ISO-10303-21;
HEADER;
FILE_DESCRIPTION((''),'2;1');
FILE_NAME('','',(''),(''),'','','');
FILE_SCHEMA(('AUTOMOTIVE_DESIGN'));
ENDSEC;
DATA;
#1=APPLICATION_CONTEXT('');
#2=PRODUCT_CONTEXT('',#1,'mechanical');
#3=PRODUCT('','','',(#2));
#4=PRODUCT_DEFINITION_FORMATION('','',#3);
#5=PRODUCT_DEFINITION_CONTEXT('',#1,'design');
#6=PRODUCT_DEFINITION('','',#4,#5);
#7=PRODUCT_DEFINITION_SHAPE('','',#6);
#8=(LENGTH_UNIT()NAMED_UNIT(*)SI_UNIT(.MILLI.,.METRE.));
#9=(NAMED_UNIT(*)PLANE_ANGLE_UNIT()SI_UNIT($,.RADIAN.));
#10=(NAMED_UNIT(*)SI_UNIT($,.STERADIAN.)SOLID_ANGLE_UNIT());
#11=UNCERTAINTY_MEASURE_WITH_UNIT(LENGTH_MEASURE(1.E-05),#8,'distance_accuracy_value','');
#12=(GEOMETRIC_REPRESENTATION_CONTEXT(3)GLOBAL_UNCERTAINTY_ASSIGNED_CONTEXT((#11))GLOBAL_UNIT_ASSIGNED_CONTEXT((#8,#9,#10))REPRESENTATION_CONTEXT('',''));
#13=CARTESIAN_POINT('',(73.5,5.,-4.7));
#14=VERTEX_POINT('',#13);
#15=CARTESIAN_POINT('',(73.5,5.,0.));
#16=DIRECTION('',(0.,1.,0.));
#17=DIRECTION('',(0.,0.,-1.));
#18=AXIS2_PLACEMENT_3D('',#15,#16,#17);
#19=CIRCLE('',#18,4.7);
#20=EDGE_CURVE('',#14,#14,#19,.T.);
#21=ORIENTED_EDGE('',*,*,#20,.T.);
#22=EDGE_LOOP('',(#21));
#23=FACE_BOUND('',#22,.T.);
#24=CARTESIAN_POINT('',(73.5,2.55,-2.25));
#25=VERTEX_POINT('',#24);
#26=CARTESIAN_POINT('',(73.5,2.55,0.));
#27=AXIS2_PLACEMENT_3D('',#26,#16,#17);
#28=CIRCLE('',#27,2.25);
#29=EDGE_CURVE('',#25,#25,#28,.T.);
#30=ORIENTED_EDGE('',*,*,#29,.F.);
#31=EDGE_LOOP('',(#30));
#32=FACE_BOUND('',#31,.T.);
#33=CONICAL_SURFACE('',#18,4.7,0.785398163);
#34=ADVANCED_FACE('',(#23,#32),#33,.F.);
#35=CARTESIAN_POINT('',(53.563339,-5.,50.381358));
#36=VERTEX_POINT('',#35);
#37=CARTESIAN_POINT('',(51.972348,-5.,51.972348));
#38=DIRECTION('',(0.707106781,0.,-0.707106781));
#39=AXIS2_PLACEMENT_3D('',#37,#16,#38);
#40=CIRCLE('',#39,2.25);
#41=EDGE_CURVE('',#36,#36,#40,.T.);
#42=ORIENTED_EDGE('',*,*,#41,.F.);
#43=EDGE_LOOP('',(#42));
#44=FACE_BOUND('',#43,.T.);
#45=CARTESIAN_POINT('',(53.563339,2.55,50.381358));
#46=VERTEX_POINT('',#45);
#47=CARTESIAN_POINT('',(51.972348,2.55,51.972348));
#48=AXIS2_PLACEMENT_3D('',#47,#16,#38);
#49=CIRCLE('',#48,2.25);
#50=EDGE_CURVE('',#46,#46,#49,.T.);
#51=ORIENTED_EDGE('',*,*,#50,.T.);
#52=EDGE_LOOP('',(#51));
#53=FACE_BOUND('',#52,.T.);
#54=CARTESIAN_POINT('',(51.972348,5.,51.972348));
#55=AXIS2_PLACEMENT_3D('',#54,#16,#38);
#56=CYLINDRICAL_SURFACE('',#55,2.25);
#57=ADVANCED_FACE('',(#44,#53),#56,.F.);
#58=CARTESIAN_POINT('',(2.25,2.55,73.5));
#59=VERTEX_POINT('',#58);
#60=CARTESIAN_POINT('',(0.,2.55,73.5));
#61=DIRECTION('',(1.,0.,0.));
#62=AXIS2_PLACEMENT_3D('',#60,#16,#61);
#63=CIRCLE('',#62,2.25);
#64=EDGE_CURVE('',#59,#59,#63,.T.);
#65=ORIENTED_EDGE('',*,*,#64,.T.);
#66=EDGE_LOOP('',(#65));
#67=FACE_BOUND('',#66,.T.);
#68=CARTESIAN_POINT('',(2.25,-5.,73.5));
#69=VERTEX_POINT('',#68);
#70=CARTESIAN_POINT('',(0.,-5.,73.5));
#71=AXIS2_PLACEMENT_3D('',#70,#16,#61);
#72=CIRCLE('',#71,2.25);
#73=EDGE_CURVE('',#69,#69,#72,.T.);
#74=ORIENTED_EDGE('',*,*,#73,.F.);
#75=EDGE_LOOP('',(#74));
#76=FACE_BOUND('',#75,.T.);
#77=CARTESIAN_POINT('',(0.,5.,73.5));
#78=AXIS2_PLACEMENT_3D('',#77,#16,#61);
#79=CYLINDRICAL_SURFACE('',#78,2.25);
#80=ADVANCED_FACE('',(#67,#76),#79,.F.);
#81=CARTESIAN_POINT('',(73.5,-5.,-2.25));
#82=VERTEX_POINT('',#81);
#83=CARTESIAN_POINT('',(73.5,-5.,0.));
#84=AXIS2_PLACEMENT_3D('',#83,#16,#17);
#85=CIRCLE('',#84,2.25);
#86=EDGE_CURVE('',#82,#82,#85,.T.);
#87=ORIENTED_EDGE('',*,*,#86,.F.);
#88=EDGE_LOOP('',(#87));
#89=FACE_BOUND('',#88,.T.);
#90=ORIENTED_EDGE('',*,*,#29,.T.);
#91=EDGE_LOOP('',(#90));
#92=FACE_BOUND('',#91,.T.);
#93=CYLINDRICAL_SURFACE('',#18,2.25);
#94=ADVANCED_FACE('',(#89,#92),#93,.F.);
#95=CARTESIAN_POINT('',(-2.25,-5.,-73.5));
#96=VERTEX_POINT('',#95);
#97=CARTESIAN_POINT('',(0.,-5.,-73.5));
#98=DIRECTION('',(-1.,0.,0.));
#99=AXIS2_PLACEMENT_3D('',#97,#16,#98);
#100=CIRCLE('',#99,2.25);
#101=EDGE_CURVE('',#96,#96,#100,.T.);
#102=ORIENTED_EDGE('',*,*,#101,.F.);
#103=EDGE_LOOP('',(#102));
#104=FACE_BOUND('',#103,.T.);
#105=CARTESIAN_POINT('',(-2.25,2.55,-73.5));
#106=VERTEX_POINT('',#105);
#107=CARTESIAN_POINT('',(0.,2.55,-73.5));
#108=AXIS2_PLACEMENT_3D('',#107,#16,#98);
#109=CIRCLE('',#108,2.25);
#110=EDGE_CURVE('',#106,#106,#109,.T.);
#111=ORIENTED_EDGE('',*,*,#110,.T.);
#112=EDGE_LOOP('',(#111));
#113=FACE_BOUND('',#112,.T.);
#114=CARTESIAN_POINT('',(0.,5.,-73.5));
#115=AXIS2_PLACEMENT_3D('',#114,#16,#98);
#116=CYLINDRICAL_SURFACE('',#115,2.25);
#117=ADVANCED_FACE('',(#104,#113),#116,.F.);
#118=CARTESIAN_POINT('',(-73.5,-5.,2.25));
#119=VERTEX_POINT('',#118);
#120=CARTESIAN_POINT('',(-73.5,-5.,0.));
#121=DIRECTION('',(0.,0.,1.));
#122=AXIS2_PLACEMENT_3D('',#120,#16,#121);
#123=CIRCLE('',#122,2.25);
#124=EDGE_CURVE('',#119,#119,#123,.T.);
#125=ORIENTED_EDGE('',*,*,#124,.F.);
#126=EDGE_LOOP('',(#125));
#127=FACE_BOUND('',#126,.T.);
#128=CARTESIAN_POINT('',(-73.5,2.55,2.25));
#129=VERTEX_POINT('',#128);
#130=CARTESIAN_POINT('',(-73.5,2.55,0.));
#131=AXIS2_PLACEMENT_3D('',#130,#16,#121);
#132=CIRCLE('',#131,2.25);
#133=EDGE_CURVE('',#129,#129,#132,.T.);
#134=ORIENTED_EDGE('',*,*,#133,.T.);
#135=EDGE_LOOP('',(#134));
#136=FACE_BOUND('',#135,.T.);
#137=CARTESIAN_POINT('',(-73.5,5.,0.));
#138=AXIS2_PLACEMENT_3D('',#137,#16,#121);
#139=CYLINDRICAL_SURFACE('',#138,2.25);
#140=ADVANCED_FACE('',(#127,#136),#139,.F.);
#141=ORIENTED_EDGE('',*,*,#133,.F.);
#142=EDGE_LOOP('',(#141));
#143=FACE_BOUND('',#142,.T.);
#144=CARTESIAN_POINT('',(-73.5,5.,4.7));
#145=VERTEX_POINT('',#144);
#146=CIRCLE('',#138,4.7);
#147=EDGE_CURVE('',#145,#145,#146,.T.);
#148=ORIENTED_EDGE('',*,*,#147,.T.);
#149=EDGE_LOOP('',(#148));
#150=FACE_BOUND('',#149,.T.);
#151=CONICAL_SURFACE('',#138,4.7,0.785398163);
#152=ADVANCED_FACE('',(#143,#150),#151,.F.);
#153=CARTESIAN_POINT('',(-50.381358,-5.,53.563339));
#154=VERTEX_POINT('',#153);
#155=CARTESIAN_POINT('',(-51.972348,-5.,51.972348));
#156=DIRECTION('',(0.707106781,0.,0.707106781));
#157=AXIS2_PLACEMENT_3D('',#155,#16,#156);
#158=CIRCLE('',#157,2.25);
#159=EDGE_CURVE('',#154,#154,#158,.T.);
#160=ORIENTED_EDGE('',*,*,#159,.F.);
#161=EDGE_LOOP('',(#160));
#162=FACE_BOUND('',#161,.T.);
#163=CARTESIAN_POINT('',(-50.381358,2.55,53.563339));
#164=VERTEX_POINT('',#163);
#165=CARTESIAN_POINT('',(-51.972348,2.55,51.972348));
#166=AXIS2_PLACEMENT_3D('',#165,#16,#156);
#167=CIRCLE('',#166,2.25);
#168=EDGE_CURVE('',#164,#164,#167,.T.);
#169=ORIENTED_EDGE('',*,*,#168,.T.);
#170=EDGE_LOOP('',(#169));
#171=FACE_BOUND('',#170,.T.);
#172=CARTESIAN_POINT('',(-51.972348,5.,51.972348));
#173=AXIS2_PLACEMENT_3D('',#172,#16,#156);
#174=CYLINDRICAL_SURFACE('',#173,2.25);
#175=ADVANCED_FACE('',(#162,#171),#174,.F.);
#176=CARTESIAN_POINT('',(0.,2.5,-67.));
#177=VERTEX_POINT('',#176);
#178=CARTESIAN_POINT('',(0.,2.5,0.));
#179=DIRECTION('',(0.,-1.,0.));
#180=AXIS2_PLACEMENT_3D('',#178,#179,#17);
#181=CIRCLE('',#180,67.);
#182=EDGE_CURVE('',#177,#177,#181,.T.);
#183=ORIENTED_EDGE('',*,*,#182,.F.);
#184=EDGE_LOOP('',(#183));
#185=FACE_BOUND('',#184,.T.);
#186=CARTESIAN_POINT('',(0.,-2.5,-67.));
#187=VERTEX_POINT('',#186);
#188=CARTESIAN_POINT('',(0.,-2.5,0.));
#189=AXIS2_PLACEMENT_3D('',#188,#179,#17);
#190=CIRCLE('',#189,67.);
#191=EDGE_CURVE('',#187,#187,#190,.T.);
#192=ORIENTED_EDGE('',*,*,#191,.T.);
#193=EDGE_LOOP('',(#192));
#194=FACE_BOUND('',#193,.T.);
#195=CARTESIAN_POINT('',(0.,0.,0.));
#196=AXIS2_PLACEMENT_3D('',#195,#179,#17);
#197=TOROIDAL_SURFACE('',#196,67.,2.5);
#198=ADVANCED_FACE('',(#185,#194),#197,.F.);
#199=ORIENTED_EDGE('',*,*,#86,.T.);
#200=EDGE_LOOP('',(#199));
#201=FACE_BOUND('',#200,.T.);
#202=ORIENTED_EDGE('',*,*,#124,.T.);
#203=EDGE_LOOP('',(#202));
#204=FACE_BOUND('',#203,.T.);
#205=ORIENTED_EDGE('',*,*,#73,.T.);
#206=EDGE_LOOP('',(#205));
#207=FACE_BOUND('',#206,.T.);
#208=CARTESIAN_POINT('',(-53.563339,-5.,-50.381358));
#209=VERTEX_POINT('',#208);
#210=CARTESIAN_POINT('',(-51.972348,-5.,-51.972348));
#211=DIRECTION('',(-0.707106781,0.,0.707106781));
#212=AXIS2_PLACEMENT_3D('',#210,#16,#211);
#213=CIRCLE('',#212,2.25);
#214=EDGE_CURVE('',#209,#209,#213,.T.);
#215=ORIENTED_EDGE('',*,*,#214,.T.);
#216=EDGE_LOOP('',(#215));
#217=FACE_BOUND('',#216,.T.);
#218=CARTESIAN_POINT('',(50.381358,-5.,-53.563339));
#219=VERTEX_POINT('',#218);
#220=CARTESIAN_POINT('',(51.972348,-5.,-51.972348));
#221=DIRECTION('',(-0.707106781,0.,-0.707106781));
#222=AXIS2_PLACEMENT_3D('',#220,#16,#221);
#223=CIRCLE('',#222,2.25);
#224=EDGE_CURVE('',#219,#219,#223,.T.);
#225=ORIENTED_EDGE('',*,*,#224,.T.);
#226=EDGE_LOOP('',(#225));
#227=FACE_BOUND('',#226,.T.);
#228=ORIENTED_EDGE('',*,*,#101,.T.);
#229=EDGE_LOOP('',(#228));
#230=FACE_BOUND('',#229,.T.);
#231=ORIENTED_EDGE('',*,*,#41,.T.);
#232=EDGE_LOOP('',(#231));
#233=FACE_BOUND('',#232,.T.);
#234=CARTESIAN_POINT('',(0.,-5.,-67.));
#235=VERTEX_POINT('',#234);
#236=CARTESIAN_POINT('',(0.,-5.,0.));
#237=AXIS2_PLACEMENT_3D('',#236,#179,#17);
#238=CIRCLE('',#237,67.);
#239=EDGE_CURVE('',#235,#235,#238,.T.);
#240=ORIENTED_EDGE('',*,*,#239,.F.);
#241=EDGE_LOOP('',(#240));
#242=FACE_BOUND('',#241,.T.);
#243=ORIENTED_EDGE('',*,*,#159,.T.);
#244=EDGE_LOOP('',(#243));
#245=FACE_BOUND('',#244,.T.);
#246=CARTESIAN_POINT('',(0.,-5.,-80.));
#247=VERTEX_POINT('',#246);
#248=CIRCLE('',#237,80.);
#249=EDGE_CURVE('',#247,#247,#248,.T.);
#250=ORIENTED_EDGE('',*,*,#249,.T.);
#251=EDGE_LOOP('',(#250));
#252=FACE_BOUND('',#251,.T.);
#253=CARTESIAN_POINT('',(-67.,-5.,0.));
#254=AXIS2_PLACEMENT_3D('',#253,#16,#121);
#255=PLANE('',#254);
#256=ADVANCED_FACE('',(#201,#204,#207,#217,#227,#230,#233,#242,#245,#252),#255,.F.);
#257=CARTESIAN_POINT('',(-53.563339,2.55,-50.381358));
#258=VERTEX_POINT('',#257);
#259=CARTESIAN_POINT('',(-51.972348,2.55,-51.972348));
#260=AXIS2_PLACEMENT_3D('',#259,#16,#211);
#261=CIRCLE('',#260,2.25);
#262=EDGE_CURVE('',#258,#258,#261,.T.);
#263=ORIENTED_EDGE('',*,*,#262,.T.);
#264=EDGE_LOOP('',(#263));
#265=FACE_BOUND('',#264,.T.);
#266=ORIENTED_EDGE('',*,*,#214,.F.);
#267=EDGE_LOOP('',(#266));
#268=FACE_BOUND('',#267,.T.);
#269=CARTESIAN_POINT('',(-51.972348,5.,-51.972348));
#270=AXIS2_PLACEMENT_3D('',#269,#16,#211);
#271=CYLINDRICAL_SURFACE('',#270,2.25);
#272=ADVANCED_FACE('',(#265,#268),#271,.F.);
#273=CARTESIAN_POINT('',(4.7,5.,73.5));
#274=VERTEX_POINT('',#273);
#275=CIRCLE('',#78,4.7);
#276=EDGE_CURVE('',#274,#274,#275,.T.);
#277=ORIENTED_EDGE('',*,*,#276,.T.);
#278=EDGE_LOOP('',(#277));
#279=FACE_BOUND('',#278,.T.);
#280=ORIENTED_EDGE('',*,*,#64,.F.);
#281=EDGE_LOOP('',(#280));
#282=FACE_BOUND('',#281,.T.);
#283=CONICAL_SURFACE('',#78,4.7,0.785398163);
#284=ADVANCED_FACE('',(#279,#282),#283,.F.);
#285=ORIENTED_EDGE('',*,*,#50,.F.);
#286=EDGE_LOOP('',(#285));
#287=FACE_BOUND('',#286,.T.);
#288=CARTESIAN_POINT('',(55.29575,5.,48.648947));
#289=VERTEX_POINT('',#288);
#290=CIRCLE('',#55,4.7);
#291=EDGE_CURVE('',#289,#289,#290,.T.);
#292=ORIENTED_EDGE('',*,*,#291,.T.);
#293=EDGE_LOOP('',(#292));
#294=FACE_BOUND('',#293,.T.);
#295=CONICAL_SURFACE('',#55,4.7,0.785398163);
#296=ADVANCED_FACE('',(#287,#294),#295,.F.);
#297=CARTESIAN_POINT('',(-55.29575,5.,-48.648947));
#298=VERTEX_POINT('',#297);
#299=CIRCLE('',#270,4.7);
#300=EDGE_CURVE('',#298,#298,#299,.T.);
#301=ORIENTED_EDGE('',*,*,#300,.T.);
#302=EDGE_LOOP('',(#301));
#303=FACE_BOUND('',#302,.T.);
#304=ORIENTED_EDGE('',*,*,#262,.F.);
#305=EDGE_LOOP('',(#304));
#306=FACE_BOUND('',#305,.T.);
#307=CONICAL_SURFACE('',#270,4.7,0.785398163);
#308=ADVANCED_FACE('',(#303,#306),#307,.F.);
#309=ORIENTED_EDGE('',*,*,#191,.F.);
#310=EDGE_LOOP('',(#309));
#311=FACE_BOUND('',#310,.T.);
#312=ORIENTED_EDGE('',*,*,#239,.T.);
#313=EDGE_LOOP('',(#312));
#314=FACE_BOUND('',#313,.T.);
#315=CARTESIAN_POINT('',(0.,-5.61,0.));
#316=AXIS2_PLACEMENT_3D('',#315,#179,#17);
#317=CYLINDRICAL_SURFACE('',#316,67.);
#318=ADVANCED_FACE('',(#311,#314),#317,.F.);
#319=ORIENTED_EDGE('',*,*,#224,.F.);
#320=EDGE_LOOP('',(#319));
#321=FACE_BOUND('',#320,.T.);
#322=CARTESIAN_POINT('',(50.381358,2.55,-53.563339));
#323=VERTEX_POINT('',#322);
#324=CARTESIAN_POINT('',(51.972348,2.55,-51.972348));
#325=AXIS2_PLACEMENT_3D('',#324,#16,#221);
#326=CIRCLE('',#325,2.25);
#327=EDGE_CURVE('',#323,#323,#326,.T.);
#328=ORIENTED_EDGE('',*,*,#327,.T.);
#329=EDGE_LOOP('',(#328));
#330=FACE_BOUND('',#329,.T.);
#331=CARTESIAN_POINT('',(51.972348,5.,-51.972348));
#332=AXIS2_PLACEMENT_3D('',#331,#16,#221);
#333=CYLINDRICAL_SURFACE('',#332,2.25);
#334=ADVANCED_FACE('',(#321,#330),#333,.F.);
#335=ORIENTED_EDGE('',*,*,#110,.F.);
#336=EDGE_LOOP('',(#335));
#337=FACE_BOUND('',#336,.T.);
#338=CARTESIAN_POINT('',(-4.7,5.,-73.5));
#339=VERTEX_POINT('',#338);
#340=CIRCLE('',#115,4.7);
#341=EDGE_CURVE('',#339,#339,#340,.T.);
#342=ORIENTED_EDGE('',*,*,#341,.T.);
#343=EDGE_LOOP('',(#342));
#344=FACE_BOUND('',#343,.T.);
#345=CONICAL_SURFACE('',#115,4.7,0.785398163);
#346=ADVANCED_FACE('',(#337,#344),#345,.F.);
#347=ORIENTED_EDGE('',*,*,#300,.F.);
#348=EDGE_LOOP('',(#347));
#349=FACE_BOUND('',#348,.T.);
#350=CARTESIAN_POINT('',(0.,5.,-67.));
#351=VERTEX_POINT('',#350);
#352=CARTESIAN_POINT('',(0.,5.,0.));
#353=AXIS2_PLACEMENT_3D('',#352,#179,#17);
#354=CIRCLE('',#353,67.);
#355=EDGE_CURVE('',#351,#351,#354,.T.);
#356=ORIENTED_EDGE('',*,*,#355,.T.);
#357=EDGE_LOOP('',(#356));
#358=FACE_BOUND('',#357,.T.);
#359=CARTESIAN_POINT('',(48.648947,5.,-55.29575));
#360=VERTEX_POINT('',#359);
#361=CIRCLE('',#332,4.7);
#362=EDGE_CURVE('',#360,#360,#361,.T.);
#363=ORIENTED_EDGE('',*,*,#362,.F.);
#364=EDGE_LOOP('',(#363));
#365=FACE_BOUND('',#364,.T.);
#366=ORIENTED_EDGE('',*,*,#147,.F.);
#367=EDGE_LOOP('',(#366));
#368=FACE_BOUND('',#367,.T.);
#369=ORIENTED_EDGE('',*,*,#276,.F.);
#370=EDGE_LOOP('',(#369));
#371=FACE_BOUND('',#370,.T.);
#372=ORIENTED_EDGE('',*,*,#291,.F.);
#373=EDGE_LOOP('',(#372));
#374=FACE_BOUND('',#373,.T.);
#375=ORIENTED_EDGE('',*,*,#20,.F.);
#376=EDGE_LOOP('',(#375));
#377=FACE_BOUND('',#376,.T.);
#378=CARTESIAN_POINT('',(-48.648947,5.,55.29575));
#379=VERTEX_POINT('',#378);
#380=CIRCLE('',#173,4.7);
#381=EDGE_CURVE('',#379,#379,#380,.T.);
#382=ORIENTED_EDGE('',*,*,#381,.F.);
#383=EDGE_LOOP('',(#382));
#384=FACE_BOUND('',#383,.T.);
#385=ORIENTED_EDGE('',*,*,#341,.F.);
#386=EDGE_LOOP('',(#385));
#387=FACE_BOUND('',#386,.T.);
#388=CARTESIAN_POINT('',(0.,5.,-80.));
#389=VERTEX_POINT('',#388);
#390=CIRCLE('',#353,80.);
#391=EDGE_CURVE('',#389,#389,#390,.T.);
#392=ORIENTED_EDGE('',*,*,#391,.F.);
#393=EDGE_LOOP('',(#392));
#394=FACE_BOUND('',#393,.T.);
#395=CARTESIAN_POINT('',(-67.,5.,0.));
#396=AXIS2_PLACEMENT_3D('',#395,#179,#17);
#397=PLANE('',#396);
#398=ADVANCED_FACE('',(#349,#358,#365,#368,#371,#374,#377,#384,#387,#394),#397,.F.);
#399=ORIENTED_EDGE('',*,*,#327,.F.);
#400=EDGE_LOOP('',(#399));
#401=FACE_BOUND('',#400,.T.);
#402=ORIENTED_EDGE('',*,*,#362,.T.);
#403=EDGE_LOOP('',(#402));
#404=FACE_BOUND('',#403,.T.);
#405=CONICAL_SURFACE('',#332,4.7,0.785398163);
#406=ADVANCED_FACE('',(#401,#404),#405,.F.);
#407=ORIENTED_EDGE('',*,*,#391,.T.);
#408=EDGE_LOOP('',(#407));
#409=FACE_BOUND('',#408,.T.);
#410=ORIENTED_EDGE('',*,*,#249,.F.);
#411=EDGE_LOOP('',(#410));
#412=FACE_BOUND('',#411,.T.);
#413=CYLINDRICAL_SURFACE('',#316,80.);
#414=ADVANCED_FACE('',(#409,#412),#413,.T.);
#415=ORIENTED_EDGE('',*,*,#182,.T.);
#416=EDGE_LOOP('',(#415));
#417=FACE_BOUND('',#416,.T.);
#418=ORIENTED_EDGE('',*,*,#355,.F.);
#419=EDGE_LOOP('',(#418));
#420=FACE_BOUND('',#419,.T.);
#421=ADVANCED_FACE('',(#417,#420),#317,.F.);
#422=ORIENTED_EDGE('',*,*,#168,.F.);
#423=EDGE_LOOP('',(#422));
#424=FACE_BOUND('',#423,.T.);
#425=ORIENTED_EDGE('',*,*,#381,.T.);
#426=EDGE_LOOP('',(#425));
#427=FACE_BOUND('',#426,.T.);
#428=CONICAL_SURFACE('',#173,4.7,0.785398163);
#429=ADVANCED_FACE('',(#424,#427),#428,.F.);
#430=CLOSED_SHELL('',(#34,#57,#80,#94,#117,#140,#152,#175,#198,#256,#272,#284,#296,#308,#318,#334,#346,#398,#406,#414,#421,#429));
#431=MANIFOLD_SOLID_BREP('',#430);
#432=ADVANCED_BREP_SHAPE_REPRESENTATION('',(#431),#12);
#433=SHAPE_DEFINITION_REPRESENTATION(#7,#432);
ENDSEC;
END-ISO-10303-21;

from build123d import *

# Parameters (mm, degrees)
CSK_FOR_M4_COUNTERSUNK_FLAT_HEAD_SCREW1_D           = 4.5
CSK_FOR_M4_COUNTERSUNK_FLAT_HEAD_SCREW1_CSINK_D     = 9.4
CSK_FOR_M4_COUNTERSUNK_FLAT_HEAD_SCREW1_CSINK_ANGLE = 90
CIRPATTERN1_COUNT                                   = 8


with BuildPart() as part:
    # Sketch1 → Revolve1 (revolve)
    with BuildSketch(Plane.XY, mode=Mode.PRIVATE) as revolve1_sk:
        with BuildLine():
            Line((-67, -2.5), (-67, -5))
            Line((-67, -5), (-80, -5))
            Line((-80, -5), (-80, 5))
            Line((-80, 5), (-67, 5))
            Line((-67, 5), (-67, 2.5))
            ThreePointArc((-67, 2.5), (-69.5, 0), (-67, -2.5))
        make_face()
    revolve(revolve1_sk.sketch.rotate(Axis((0, -5.61, 0), (0, 1, 0)), 270), axis=Axis((0, -5.61, 0), (0, 1, 0)))

    # CSK for M4 Countersunk Flat Head Screw1 (through all)
    with Locations(Plane(origin=(0, 5, 0), x_dir=(1, 0, 0), z_dir=(0, 1, 0))):
        with Locations((-73.5, 0)):
            csk_for_m4_countersunk_flat_head_screw1 = CounterSinkHole(CSK_FOR_M4_COUNTERSUNK_FLAT_HEAD_SCREW1_D / 2, CSK_FOR_M4_COUNTERSUNK_FLAT_HEAD_SCREW1_CSINK_D / 2, counter_sink_angle=CSK_FOR_M4_COUNTERSUNK_FLAT_HEAD_SCREW1_CSINK_ANGLE)

    # CirPattern1: CSK for M4 Countersunk Flat Head Screw1 ×8 about axis
    cirpattern1_axis = Axis((0, 0, 0), (0, 1, 0))
    for i in range(1, CIRPATTERN1_COUNT):
        add(csk_for_m4_countersunk_flat_head_screw1.rotate(cirpattern1_axis, i * 360 / CIRPATTERN1_COUNT), mode=Mode.SUBTRACT)


solid = part.part
